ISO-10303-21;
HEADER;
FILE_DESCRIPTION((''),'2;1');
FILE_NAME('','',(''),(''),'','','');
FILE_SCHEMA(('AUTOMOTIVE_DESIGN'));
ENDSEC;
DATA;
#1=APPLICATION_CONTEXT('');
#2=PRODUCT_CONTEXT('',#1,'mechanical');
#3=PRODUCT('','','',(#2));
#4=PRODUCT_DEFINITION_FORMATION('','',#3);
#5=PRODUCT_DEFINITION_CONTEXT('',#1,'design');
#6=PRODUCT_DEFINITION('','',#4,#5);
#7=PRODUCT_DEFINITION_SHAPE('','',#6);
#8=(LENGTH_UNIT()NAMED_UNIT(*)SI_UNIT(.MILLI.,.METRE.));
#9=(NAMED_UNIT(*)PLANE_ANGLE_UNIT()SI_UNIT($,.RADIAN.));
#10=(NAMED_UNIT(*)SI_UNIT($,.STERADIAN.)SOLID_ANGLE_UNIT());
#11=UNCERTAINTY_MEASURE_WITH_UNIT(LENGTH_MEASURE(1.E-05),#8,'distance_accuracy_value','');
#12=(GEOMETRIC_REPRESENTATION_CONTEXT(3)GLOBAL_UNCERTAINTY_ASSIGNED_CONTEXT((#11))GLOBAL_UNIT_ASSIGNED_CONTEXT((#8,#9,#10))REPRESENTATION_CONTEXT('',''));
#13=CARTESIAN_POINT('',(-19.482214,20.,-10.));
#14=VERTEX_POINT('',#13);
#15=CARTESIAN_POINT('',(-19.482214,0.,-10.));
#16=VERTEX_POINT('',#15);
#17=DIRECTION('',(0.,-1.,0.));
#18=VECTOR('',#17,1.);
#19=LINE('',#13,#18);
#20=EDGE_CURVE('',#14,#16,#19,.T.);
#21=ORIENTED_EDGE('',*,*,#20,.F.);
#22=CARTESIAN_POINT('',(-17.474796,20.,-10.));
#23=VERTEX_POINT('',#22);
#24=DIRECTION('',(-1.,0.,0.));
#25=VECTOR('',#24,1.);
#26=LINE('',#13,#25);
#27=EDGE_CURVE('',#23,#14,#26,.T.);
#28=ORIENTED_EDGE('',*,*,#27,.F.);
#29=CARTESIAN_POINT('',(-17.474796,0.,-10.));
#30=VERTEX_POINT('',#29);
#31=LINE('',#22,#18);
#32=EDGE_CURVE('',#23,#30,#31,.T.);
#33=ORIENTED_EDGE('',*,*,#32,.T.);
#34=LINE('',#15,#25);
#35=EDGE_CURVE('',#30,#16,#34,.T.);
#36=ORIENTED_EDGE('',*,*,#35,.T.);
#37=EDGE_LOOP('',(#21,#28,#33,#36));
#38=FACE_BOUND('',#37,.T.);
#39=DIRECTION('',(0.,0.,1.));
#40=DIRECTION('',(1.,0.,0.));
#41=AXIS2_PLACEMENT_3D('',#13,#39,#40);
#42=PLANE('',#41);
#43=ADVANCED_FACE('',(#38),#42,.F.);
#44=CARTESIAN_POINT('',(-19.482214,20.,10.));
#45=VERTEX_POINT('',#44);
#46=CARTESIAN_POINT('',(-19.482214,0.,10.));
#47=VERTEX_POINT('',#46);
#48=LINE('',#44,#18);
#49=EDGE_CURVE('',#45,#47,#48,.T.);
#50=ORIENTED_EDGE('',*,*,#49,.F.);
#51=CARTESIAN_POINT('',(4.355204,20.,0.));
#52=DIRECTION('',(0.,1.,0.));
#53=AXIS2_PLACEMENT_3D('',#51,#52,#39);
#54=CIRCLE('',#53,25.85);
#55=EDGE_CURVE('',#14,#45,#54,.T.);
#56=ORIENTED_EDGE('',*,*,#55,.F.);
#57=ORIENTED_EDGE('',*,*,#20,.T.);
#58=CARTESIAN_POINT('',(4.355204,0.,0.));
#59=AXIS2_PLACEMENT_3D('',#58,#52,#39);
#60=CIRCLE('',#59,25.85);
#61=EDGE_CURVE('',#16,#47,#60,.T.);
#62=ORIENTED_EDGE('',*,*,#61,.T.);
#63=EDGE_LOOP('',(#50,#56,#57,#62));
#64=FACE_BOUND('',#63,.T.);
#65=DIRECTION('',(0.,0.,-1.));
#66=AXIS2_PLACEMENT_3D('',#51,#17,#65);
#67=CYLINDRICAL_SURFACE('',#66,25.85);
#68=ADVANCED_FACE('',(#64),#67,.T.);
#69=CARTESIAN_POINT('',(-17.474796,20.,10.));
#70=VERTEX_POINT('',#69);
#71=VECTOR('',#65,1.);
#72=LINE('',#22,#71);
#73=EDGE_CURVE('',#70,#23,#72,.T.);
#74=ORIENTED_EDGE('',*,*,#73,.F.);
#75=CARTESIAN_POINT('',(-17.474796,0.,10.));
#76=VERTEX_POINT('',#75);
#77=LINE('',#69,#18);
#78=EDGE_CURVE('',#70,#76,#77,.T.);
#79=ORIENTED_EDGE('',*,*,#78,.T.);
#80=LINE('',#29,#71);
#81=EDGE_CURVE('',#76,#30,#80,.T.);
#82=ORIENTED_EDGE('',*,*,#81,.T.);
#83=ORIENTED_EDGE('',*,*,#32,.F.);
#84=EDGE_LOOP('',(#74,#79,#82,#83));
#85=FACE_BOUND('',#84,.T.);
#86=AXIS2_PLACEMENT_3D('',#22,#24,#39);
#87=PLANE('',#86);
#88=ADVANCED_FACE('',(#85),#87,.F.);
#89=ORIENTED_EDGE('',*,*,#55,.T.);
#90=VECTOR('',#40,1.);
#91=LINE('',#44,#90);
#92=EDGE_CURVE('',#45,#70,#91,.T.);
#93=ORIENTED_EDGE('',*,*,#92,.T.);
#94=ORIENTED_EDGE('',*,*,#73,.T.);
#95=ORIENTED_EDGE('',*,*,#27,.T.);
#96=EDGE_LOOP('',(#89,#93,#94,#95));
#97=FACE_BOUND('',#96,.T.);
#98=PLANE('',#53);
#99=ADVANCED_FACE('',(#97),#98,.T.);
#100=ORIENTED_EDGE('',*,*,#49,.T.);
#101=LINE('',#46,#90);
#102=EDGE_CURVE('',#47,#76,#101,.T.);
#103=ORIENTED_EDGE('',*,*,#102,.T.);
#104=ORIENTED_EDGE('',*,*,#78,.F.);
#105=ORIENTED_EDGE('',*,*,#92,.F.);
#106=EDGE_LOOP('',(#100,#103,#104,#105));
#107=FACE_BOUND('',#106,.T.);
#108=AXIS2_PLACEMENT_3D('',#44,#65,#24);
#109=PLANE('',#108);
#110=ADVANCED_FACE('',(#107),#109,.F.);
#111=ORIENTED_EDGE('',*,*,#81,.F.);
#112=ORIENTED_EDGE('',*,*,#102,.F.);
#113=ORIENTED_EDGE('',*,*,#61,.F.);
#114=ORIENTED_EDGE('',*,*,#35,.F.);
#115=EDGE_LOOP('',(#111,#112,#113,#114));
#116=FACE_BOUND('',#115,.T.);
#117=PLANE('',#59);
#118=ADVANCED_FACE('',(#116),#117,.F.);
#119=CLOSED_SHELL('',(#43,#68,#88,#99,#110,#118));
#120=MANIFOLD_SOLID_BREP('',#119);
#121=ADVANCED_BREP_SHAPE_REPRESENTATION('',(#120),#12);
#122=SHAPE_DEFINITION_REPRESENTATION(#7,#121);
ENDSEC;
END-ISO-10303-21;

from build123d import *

# Parameters (mm, degrees)
EXTRUDE_1_DEPTH = 20


with BuildPart() as part:
    # 草图1 → 凸台-拉伸1 (new body)
    with BuildSketch(Plane(origin=(0, 0, 0), x_dir=(1, 0, 0), z_dir=(0, 1, 0))):
        with BuildLine():
            Line((-19.48221373, 10), (-17.474795665, 10))
            Line((-17.474795665, 10), (-17.474795665, -10))
            Line((-17.474795665, -10), (-19.48221373, -10))
            ThreePointArc((-19.48221373, -10), (-21.494795665, 0), (-19.48221373, 10))
        make_face()
    extrude(amount=EXTRUDE_1_DEPTH)


solid = part.part
